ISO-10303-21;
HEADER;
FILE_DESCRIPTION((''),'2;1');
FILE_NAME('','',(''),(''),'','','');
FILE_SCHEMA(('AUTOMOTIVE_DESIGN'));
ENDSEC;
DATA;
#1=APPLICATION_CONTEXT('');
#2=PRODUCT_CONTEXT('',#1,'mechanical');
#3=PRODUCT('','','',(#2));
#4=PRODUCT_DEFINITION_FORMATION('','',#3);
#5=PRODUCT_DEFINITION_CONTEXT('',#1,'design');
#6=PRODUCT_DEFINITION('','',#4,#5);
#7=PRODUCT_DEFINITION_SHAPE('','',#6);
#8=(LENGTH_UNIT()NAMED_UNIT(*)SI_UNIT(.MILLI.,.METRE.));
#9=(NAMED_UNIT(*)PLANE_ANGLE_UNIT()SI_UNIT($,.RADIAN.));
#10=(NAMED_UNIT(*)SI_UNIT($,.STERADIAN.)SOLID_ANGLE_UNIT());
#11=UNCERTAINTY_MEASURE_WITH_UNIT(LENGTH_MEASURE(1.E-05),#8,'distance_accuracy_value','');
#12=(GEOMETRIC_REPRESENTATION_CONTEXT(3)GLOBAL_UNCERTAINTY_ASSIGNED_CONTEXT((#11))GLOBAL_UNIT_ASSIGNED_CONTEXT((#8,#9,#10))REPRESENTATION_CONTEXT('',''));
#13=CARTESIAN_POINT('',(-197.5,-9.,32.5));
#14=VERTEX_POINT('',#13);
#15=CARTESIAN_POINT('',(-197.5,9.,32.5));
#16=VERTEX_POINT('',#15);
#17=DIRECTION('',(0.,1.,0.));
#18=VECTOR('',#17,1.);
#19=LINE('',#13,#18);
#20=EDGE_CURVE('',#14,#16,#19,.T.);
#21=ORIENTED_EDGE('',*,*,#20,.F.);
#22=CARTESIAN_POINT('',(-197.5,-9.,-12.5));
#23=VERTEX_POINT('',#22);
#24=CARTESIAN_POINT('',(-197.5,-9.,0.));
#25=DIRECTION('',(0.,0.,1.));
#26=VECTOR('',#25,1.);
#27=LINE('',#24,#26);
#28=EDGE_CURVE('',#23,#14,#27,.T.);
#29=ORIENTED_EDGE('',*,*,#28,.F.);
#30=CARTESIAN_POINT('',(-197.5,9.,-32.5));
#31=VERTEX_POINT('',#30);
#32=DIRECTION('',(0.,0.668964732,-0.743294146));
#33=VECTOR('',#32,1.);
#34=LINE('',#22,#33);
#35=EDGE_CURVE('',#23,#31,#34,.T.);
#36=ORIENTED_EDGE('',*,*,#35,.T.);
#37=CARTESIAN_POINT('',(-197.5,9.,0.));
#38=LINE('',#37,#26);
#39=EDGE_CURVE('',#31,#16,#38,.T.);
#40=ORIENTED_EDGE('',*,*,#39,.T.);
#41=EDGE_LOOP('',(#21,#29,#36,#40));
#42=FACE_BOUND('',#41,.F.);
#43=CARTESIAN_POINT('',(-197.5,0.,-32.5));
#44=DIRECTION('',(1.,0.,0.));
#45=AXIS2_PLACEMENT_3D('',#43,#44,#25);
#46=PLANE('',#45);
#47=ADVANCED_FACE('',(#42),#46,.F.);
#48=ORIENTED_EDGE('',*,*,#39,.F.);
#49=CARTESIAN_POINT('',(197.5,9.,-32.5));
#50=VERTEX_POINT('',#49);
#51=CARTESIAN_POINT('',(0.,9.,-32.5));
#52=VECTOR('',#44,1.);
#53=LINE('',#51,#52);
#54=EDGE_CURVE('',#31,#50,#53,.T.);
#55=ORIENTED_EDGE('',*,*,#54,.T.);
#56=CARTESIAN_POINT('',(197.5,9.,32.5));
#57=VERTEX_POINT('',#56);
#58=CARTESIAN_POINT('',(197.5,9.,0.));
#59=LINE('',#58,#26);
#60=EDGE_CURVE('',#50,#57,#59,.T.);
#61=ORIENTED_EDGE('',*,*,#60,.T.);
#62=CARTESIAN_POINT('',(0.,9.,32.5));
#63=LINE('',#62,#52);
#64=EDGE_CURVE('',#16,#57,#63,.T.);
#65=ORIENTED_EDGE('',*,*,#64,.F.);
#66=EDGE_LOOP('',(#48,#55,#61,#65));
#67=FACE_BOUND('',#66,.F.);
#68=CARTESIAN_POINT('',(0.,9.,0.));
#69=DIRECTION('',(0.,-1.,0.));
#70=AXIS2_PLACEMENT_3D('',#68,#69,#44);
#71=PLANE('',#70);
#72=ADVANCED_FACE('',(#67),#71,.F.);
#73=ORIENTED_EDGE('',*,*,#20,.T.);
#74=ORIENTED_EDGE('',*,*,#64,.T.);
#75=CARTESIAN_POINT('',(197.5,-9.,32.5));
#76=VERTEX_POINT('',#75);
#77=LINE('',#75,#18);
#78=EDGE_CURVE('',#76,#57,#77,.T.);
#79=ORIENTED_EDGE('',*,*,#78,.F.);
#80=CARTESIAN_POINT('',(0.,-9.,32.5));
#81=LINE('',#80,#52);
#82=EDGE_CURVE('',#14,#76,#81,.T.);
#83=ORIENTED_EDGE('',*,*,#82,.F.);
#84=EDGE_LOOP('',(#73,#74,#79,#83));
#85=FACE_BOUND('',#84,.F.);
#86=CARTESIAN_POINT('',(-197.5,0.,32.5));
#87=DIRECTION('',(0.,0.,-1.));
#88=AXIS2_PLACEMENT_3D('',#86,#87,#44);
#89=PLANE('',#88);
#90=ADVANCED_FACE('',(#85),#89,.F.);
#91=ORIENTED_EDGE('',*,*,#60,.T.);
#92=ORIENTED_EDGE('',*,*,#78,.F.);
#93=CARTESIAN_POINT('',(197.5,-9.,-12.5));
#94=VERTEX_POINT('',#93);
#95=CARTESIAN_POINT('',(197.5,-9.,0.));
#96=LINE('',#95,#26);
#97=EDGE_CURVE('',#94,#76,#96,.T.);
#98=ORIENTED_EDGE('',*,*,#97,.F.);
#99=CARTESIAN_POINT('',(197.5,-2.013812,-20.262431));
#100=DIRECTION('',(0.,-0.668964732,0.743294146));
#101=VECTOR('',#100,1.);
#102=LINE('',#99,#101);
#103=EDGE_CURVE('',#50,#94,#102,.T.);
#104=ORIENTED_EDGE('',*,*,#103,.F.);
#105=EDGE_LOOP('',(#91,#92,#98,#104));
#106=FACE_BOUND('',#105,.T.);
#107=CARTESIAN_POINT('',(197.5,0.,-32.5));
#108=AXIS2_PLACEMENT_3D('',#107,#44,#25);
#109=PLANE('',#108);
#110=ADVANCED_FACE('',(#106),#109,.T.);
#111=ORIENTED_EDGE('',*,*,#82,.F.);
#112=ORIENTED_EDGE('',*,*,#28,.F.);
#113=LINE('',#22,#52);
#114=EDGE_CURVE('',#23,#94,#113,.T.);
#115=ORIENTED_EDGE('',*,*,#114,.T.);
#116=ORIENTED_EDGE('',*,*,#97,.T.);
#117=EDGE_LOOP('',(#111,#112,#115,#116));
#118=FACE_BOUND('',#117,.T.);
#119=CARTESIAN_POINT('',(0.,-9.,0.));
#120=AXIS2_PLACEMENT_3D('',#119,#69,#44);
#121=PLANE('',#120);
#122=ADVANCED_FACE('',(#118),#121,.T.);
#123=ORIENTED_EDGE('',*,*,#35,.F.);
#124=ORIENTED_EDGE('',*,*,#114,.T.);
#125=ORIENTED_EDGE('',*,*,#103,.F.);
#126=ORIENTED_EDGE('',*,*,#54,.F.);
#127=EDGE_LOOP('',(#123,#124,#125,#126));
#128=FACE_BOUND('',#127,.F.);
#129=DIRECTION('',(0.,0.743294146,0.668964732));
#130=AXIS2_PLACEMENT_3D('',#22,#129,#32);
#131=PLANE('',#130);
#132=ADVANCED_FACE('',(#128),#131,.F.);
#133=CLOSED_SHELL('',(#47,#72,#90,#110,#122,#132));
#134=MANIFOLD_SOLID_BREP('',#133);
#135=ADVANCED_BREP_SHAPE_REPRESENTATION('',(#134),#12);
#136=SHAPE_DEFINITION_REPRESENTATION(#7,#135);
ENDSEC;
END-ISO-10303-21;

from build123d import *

# Parameters (mm, degrees)
F0_W     = 395
F0_H     = 65
F1_DEPTH = 9
F3_DEPTH = 395.001


with BuildPart() as f1:
    # F0 (on Front) → F1 (new body, symmetric)
    with BuildSketch(Plane.XZ):
        Rectangle(F0_W, F0_H)
    extrude(amount=F1_DEPTH, both=True)

    # F2 (on face) → F3 (cut, through all)
    with BuildSketch(Plane(origin=(-197.5, 0, 0), x_dir=(0, -1, 0), z_dir=(-1, 0, 0))):
        Polygon((9, -12.5), (-9, -32.5), (9, -32.5), align=None)
    extrude(amount=-F3_DEPTH, mode=Mode.SUBTRACT)


solid = f1.part
